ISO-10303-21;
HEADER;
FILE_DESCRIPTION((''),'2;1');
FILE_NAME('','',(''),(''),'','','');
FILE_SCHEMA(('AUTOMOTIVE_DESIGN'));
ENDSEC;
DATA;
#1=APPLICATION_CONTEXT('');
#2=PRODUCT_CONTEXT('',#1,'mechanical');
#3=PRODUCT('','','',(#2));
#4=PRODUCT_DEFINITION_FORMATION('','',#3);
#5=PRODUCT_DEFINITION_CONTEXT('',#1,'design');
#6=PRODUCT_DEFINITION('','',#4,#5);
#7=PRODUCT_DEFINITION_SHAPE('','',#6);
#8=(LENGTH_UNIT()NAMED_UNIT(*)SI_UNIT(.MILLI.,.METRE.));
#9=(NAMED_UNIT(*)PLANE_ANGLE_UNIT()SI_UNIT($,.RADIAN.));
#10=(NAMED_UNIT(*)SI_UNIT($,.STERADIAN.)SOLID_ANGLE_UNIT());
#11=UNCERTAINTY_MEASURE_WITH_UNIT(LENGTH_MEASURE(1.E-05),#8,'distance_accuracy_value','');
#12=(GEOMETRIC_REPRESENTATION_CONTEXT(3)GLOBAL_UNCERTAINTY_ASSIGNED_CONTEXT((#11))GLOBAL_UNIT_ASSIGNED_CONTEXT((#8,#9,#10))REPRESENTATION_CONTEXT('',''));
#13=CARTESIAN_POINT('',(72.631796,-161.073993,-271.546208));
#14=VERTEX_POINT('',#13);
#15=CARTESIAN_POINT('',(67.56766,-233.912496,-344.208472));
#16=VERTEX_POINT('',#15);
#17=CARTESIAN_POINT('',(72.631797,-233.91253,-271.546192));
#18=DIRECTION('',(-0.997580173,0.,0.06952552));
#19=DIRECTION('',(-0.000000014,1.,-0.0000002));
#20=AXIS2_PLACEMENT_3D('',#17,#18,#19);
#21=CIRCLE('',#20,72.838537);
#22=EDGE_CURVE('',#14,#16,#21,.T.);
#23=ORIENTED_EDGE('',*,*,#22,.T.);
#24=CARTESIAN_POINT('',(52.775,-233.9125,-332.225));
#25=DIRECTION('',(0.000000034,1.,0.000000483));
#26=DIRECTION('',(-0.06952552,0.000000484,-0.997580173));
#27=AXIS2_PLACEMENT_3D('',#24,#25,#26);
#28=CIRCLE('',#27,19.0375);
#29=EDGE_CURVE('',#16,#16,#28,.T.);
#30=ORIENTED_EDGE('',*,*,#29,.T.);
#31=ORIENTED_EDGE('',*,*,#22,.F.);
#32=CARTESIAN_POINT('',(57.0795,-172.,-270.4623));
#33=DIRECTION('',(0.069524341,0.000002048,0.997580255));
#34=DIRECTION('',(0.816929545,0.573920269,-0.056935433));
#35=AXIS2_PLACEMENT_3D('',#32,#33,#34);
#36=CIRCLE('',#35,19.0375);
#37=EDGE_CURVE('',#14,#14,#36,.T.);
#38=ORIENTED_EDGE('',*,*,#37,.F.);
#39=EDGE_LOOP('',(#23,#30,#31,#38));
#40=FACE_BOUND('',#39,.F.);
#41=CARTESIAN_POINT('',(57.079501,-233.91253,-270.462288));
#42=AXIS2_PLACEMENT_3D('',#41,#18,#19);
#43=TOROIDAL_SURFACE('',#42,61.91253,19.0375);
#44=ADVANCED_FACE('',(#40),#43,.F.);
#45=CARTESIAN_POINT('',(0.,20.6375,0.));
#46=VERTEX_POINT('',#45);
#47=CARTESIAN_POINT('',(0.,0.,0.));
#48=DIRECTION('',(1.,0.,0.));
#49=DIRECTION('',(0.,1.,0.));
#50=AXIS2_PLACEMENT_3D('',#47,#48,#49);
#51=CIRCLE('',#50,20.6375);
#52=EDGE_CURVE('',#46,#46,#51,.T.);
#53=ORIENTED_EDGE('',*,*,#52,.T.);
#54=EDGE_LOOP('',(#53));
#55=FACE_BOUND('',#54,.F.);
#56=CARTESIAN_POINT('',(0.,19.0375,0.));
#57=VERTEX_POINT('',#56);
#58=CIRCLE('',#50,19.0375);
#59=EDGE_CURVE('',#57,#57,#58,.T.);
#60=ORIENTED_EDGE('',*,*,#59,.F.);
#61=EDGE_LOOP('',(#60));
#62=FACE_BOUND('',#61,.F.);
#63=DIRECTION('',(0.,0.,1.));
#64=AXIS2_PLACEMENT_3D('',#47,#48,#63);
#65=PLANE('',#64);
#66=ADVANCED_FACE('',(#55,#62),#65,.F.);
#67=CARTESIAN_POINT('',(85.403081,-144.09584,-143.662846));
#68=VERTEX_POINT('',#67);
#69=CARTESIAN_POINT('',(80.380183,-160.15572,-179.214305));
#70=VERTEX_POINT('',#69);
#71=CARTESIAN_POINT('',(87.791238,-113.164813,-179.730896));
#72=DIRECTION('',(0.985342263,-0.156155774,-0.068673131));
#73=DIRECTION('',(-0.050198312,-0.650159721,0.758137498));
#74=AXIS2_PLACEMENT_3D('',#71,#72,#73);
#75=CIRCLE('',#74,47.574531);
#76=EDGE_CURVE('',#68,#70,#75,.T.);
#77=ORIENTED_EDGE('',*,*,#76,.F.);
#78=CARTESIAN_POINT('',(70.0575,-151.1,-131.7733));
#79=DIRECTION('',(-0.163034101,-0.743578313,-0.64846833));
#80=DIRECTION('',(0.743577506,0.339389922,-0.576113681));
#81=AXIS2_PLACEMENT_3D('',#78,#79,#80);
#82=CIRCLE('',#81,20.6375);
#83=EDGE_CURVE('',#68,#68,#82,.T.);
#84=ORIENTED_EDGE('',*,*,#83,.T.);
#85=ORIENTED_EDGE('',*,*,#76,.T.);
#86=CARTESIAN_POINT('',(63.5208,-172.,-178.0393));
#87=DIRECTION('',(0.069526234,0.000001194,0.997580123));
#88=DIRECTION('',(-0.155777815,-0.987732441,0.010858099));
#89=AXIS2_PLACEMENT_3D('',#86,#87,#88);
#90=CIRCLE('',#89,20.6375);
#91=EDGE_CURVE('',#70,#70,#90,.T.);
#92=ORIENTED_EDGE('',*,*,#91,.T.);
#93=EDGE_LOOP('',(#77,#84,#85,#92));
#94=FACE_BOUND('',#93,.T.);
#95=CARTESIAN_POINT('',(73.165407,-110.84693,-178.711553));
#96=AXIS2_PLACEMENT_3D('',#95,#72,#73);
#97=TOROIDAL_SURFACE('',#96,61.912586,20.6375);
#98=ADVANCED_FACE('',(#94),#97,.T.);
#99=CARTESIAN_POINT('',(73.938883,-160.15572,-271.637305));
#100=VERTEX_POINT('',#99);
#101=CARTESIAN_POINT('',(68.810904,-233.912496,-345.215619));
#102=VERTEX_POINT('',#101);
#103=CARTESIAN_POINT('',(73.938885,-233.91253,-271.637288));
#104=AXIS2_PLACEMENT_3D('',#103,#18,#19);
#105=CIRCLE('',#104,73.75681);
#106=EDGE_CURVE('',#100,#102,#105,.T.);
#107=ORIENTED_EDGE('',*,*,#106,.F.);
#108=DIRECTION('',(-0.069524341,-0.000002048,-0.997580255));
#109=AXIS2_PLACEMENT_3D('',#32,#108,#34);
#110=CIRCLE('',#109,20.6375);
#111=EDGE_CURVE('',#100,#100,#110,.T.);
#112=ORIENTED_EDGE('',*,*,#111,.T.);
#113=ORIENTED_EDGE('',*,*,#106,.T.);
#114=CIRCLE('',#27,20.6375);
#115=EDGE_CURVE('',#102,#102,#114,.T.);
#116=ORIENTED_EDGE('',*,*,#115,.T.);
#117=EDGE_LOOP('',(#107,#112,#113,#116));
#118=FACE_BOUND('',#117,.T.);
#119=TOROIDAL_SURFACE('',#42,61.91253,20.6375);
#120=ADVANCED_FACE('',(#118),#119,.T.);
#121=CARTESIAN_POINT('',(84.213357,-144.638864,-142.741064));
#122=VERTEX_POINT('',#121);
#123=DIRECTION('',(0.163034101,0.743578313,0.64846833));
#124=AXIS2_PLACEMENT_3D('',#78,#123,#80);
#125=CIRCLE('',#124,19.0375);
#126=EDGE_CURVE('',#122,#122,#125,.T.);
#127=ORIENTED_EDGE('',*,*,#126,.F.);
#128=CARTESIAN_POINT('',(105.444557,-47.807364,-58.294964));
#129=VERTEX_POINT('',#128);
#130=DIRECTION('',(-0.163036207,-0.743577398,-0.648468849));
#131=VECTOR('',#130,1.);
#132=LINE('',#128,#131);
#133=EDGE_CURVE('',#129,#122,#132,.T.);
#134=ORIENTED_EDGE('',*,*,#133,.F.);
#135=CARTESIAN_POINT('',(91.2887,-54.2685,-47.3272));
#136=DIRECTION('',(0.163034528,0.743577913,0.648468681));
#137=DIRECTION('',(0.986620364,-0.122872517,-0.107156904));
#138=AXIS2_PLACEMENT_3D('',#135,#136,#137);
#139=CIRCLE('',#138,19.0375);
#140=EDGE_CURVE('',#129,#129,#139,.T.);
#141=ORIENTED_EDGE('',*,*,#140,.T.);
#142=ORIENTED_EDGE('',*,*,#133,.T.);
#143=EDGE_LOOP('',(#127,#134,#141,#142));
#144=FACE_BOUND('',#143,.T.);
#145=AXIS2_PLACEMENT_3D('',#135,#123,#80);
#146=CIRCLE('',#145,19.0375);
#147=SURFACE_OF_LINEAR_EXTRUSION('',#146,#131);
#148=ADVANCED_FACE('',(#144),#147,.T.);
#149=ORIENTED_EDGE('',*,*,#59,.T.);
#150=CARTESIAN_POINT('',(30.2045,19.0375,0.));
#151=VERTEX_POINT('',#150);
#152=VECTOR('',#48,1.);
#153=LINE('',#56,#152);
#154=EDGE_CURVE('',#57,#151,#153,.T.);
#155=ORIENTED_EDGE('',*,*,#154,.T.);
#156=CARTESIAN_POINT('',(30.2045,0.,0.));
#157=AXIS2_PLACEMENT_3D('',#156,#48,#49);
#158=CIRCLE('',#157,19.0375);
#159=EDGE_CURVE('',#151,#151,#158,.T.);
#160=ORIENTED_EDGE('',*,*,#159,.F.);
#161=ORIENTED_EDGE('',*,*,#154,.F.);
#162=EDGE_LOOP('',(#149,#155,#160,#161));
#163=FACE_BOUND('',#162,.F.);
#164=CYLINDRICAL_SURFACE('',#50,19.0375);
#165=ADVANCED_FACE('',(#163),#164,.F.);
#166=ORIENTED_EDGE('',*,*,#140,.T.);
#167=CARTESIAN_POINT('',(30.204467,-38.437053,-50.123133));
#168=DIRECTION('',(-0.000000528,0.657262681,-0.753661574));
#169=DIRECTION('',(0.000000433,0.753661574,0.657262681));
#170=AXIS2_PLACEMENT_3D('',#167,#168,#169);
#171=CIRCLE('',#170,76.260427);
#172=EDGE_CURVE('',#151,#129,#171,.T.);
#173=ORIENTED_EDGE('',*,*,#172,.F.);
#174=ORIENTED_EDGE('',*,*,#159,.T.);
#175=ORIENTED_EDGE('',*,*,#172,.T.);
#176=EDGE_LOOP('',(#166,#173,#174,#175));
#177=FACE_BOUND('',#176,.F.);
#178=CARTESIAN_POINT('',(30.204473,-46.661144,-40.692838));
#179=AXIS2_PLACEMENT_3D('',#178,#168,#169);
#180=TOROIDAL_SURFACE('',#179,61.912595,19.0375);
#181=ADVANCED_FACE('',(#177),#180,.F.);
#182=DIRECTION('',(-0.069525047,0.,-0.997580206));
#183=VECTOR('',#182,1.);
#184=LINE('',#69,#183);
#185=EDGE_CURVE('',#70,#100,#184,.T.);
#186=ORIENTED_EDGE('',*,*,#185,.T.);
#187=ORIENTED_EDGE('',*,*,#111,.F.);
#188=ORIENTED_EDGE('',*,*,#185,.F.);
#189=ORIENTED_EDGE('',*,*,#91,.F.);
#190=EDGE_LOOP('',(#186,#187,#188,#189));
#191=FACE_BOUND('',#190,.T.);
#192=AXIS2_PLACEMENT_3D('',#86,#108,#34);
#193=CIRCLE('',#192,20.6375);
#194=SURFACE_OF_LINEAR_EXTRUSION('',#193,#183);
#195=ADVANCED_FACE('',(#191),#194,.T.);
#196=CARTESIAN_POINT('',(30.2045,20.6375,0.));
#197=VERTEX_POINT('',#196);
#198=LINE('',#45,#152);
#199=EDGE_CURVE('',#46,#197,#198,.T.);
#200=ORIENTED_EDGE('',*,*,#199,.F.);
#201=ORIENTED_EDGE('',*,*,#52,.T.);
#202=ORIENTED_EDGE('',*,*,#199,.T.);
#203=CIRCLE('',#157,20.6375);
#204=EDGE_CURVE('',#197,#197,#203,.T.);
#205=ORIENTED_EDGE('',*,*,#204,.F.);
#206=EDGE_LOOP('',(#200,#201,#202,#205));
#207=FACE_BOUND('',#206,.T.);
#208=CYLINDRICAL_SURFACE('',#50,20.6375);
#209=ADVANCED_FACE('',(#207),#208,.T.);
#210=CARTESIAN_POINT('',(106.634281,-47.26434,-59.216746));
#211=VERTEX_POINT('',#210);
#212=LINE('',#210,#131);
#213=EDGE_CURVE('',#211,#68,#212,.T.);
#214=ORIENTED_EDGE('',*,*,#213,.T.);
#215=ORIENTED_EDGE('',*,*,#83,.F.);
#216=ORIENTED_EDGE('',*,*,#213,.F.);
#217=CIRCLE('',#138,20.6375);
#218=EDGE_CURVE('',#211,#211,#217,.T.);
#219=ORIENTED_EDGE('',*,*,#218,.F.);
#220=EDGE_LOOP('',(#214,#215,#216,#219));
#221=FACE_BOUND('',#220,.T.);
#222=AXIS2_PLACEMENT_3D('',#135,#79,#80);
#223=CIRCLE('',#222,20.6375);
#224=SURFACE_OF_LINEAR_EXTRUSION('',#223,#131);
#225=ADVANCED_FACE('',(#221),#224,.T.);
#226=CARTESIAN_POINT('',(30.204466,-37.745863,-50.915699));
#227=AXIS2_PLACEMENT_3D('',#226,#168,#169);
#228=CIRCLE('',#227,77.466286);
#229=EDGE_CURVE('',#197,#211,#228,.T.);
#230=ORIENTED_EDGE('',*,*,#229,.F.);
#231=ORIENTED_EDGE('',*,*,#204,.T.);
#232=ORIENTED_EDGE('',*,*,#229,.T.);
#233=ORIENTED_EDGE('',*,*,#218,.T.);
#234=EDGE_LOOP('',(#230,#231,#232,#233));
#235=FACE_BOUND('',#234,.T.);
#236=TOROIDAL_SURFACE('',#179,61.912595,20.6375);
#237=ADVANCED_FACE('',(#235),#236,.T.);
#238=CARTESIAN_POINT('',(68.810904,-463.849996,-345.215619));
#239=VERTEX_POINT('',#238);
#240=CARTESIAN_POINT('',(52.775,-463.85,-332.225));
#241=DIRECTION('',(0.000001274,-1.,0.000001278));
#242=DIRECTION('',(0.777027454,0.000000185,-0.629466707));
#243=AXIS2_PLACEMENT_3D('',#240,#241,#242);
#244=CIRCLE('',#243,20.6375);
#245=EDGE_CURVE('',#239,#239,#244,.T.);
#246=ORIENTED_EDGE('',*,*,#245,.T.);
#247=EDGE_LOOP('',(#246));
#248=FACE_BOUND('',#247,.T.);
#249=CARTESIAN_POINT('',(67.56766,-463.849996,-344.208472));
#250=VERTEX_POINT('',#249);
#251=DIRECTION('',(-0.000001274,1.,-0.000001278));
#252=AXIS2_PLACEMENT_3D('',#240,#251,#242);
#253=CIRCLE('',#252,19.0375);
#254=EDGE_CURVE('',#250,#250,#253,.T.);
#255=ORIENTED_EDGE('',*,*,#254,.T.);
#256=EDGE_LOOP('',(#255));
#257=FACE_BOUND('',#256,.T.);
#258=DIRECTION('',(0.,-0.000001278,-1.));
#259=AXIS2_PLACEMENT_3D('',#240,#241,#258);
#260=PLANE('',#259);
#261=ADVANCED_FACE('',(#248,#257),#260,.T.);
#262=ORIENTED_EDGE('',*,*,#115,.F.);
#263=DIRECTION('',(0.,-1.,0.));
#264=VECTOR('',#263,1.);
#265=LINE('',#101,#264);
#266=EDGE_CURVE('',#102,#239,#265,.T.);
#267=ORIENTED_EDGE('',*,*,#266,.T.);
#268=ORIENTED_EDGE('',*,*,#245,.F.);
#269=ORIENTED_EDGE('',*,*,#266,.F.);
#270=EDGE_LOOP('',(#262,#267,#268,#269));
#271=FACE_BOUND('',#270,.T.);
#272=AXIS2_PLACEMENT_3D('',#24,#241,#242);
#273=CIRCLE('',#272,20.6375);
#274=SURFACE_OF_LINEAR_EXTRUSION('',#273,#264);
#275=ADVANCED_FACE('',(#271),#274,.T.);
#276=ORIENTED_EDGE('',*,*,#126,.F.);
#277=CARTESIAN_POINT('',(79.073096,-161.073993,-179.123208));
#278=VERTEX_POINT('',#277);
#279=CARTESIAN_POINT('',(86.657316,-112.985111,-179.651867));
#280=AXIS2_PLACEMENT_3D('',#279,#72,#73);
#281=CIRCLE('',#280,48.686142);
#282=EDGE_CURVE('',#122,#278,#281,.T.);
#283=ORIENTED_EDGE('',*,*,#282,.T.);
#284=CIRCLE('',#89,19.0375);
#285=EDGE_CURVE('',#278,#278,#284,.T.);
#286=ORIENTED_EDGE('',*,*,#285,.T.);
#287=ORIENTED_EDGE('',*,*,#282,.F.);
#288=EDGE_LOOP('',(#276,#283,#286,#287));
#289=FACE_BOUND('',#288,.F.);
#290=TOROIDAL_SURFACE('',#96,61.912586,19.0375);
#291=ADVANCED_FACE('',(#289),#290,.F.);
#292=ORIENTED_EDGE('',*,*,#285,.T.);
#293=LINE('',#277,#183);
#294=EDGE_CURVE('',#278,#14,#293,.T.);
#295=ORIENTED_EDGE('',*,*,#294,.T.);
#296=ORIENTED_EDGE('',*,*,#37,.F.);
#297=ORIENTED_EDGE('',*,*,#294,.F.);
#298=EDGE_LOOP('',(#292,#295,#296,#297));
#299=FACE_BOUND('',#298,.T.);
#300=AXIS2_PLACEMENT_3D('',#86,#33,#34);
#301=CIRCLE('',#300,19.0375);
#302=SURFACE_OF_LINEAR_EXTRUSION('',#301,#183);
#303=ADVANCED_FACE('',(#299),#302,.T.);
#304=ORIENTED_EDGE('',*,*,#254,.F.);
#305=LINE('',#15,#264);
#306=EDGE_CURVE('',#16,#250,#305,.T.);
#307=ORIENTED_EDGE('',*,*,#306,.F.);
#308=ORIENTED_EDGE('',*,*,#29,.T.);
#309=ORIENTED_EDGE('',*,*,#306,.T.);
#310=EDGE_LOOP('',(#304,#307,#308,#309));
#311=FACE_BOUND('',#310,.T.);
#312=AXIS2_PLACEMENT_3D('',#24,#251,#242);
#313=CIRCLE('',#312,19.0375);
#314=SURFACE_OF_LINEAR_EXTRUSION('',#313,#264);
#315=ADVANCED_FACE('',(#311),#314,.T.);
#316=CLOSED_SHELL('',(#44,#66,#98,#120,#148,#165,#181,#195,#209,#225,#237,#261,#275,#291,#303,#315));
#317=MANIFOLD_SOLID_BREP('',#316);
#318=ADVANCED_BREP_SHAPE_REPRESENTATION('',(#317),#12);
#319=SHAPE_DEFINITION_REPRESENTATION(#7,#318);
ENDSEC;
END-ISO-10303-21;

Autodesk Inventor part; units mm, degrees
sketch "Sketch1" plane through (0, 0, 0) normal (1, 0, 0) x (0, 1, 0)
  line L0 (0, 0) -> (-172, -150)
  line L1 (-172, -150) -> (-172, -332.225)
  line L2 (-172, -332.225) -> (-463.85, -332.225)
  line L3 (0, 0) -> (0, -103.1875) construction
  line L4 (0, -103.1875) -> (-172, -65.475) construction
  line L5 (-172, -52.775) -> (-463.85, -52.775) construction
  dimension "d0" = 332.225
  dimension "d1" = 172
  dimension "d4" = 150
  dimension "d5" = 463.85
  dimension "d6" = 103.1875
  dimension "d7" = 52.775
  dimension "d8" = 65.475
ref_plane "Work Plane1" through (103.1875, 0, 0) normal (1, 0, 0) x (0, 1, 0)
ref_plane "Work Plane2" through (65.475, 0, 0) normal (1, 0, 0) x (0, 1, 0)
ref_plane "Work Plane3" through (52.775, 0, 0) normal (1, 0, 0) x (0, 1, 0)
sketch "Sketch2" plane through (103.1875, 0, 0) normal (1, 0, 0) x (0, 1, 0)
  point P0 (0, 0)
  point P1 (0, 0)
sketch "Sketch3" plane through (65.475, 0, 0) normal (1, 0, 0) x (0, 1, 0)
  point P0 (0, 0)
  point P1 (-172, -150)
  point P2 (-172, -332.225)
sketch "Sketch4" plane through (52.775, 0, 0) normal (1, 0, 0) x (0, 1, 0)
  point P0 (0, 0)
  point P1 (-463.85, -332.225)
  point P2 (-172, -332.225)
sketch "Sketch5" plane through (0, 0, 0) normal (1, 0, 0) x (0, 1, 0)
  circle A0 centre (0, 0) radius 20.6375
  circle A1 centre (0, 0) radius 19.0375
  dimension "d15" = 1.6
  dimension "d17" = 41.275
sketch3d "3D Sketch1"
  line L0 (0, 0, 0) -> (30.2045, 0, 0)
  arc A0 (30.2045, 0, 0) -> (91.2887, -54.2685, -47.3272) centre (30.2045, -46.6611, -40.6928) ccw
  line L1 (91.2887, -54.2685, -47.3272) -> (70.0575, -151.1, -131.7733)
  arc A1 (70.0575, -151.1, -131.7733) -> (63.5208, -172, -178.0393) centre (73.1654, -110.847, -178.7115) ccw
  line L2 (63.5208, -172, -178.0393) -> (57.0795, -172, -270.4623)
  arc A2 (57.0795, -172, -270.4623) -> (52.775, -233.9125, -332.225) centre (57.0795, -233.9125, -270.4623) ccw
  line L3 (52.775, -233.9125, -332.225) -> (52.775, -463.85, -332.225)
  dimension "d12" = 61.9125
  dimension "d13" = 61.9125
  dimension "d14" = 61.9125
sweep "Sweep1" add profiles "Sketch5" path "3D Sketch1"
equation "\"d13\" = d12"
equation "\"d14\" = d12"
equation "\"d9\" = d6"
equation "\"d10\" = d8"
equation "\"d11\" = d7"
properties part number "exhaust header right pipe 2" material "Steel"
